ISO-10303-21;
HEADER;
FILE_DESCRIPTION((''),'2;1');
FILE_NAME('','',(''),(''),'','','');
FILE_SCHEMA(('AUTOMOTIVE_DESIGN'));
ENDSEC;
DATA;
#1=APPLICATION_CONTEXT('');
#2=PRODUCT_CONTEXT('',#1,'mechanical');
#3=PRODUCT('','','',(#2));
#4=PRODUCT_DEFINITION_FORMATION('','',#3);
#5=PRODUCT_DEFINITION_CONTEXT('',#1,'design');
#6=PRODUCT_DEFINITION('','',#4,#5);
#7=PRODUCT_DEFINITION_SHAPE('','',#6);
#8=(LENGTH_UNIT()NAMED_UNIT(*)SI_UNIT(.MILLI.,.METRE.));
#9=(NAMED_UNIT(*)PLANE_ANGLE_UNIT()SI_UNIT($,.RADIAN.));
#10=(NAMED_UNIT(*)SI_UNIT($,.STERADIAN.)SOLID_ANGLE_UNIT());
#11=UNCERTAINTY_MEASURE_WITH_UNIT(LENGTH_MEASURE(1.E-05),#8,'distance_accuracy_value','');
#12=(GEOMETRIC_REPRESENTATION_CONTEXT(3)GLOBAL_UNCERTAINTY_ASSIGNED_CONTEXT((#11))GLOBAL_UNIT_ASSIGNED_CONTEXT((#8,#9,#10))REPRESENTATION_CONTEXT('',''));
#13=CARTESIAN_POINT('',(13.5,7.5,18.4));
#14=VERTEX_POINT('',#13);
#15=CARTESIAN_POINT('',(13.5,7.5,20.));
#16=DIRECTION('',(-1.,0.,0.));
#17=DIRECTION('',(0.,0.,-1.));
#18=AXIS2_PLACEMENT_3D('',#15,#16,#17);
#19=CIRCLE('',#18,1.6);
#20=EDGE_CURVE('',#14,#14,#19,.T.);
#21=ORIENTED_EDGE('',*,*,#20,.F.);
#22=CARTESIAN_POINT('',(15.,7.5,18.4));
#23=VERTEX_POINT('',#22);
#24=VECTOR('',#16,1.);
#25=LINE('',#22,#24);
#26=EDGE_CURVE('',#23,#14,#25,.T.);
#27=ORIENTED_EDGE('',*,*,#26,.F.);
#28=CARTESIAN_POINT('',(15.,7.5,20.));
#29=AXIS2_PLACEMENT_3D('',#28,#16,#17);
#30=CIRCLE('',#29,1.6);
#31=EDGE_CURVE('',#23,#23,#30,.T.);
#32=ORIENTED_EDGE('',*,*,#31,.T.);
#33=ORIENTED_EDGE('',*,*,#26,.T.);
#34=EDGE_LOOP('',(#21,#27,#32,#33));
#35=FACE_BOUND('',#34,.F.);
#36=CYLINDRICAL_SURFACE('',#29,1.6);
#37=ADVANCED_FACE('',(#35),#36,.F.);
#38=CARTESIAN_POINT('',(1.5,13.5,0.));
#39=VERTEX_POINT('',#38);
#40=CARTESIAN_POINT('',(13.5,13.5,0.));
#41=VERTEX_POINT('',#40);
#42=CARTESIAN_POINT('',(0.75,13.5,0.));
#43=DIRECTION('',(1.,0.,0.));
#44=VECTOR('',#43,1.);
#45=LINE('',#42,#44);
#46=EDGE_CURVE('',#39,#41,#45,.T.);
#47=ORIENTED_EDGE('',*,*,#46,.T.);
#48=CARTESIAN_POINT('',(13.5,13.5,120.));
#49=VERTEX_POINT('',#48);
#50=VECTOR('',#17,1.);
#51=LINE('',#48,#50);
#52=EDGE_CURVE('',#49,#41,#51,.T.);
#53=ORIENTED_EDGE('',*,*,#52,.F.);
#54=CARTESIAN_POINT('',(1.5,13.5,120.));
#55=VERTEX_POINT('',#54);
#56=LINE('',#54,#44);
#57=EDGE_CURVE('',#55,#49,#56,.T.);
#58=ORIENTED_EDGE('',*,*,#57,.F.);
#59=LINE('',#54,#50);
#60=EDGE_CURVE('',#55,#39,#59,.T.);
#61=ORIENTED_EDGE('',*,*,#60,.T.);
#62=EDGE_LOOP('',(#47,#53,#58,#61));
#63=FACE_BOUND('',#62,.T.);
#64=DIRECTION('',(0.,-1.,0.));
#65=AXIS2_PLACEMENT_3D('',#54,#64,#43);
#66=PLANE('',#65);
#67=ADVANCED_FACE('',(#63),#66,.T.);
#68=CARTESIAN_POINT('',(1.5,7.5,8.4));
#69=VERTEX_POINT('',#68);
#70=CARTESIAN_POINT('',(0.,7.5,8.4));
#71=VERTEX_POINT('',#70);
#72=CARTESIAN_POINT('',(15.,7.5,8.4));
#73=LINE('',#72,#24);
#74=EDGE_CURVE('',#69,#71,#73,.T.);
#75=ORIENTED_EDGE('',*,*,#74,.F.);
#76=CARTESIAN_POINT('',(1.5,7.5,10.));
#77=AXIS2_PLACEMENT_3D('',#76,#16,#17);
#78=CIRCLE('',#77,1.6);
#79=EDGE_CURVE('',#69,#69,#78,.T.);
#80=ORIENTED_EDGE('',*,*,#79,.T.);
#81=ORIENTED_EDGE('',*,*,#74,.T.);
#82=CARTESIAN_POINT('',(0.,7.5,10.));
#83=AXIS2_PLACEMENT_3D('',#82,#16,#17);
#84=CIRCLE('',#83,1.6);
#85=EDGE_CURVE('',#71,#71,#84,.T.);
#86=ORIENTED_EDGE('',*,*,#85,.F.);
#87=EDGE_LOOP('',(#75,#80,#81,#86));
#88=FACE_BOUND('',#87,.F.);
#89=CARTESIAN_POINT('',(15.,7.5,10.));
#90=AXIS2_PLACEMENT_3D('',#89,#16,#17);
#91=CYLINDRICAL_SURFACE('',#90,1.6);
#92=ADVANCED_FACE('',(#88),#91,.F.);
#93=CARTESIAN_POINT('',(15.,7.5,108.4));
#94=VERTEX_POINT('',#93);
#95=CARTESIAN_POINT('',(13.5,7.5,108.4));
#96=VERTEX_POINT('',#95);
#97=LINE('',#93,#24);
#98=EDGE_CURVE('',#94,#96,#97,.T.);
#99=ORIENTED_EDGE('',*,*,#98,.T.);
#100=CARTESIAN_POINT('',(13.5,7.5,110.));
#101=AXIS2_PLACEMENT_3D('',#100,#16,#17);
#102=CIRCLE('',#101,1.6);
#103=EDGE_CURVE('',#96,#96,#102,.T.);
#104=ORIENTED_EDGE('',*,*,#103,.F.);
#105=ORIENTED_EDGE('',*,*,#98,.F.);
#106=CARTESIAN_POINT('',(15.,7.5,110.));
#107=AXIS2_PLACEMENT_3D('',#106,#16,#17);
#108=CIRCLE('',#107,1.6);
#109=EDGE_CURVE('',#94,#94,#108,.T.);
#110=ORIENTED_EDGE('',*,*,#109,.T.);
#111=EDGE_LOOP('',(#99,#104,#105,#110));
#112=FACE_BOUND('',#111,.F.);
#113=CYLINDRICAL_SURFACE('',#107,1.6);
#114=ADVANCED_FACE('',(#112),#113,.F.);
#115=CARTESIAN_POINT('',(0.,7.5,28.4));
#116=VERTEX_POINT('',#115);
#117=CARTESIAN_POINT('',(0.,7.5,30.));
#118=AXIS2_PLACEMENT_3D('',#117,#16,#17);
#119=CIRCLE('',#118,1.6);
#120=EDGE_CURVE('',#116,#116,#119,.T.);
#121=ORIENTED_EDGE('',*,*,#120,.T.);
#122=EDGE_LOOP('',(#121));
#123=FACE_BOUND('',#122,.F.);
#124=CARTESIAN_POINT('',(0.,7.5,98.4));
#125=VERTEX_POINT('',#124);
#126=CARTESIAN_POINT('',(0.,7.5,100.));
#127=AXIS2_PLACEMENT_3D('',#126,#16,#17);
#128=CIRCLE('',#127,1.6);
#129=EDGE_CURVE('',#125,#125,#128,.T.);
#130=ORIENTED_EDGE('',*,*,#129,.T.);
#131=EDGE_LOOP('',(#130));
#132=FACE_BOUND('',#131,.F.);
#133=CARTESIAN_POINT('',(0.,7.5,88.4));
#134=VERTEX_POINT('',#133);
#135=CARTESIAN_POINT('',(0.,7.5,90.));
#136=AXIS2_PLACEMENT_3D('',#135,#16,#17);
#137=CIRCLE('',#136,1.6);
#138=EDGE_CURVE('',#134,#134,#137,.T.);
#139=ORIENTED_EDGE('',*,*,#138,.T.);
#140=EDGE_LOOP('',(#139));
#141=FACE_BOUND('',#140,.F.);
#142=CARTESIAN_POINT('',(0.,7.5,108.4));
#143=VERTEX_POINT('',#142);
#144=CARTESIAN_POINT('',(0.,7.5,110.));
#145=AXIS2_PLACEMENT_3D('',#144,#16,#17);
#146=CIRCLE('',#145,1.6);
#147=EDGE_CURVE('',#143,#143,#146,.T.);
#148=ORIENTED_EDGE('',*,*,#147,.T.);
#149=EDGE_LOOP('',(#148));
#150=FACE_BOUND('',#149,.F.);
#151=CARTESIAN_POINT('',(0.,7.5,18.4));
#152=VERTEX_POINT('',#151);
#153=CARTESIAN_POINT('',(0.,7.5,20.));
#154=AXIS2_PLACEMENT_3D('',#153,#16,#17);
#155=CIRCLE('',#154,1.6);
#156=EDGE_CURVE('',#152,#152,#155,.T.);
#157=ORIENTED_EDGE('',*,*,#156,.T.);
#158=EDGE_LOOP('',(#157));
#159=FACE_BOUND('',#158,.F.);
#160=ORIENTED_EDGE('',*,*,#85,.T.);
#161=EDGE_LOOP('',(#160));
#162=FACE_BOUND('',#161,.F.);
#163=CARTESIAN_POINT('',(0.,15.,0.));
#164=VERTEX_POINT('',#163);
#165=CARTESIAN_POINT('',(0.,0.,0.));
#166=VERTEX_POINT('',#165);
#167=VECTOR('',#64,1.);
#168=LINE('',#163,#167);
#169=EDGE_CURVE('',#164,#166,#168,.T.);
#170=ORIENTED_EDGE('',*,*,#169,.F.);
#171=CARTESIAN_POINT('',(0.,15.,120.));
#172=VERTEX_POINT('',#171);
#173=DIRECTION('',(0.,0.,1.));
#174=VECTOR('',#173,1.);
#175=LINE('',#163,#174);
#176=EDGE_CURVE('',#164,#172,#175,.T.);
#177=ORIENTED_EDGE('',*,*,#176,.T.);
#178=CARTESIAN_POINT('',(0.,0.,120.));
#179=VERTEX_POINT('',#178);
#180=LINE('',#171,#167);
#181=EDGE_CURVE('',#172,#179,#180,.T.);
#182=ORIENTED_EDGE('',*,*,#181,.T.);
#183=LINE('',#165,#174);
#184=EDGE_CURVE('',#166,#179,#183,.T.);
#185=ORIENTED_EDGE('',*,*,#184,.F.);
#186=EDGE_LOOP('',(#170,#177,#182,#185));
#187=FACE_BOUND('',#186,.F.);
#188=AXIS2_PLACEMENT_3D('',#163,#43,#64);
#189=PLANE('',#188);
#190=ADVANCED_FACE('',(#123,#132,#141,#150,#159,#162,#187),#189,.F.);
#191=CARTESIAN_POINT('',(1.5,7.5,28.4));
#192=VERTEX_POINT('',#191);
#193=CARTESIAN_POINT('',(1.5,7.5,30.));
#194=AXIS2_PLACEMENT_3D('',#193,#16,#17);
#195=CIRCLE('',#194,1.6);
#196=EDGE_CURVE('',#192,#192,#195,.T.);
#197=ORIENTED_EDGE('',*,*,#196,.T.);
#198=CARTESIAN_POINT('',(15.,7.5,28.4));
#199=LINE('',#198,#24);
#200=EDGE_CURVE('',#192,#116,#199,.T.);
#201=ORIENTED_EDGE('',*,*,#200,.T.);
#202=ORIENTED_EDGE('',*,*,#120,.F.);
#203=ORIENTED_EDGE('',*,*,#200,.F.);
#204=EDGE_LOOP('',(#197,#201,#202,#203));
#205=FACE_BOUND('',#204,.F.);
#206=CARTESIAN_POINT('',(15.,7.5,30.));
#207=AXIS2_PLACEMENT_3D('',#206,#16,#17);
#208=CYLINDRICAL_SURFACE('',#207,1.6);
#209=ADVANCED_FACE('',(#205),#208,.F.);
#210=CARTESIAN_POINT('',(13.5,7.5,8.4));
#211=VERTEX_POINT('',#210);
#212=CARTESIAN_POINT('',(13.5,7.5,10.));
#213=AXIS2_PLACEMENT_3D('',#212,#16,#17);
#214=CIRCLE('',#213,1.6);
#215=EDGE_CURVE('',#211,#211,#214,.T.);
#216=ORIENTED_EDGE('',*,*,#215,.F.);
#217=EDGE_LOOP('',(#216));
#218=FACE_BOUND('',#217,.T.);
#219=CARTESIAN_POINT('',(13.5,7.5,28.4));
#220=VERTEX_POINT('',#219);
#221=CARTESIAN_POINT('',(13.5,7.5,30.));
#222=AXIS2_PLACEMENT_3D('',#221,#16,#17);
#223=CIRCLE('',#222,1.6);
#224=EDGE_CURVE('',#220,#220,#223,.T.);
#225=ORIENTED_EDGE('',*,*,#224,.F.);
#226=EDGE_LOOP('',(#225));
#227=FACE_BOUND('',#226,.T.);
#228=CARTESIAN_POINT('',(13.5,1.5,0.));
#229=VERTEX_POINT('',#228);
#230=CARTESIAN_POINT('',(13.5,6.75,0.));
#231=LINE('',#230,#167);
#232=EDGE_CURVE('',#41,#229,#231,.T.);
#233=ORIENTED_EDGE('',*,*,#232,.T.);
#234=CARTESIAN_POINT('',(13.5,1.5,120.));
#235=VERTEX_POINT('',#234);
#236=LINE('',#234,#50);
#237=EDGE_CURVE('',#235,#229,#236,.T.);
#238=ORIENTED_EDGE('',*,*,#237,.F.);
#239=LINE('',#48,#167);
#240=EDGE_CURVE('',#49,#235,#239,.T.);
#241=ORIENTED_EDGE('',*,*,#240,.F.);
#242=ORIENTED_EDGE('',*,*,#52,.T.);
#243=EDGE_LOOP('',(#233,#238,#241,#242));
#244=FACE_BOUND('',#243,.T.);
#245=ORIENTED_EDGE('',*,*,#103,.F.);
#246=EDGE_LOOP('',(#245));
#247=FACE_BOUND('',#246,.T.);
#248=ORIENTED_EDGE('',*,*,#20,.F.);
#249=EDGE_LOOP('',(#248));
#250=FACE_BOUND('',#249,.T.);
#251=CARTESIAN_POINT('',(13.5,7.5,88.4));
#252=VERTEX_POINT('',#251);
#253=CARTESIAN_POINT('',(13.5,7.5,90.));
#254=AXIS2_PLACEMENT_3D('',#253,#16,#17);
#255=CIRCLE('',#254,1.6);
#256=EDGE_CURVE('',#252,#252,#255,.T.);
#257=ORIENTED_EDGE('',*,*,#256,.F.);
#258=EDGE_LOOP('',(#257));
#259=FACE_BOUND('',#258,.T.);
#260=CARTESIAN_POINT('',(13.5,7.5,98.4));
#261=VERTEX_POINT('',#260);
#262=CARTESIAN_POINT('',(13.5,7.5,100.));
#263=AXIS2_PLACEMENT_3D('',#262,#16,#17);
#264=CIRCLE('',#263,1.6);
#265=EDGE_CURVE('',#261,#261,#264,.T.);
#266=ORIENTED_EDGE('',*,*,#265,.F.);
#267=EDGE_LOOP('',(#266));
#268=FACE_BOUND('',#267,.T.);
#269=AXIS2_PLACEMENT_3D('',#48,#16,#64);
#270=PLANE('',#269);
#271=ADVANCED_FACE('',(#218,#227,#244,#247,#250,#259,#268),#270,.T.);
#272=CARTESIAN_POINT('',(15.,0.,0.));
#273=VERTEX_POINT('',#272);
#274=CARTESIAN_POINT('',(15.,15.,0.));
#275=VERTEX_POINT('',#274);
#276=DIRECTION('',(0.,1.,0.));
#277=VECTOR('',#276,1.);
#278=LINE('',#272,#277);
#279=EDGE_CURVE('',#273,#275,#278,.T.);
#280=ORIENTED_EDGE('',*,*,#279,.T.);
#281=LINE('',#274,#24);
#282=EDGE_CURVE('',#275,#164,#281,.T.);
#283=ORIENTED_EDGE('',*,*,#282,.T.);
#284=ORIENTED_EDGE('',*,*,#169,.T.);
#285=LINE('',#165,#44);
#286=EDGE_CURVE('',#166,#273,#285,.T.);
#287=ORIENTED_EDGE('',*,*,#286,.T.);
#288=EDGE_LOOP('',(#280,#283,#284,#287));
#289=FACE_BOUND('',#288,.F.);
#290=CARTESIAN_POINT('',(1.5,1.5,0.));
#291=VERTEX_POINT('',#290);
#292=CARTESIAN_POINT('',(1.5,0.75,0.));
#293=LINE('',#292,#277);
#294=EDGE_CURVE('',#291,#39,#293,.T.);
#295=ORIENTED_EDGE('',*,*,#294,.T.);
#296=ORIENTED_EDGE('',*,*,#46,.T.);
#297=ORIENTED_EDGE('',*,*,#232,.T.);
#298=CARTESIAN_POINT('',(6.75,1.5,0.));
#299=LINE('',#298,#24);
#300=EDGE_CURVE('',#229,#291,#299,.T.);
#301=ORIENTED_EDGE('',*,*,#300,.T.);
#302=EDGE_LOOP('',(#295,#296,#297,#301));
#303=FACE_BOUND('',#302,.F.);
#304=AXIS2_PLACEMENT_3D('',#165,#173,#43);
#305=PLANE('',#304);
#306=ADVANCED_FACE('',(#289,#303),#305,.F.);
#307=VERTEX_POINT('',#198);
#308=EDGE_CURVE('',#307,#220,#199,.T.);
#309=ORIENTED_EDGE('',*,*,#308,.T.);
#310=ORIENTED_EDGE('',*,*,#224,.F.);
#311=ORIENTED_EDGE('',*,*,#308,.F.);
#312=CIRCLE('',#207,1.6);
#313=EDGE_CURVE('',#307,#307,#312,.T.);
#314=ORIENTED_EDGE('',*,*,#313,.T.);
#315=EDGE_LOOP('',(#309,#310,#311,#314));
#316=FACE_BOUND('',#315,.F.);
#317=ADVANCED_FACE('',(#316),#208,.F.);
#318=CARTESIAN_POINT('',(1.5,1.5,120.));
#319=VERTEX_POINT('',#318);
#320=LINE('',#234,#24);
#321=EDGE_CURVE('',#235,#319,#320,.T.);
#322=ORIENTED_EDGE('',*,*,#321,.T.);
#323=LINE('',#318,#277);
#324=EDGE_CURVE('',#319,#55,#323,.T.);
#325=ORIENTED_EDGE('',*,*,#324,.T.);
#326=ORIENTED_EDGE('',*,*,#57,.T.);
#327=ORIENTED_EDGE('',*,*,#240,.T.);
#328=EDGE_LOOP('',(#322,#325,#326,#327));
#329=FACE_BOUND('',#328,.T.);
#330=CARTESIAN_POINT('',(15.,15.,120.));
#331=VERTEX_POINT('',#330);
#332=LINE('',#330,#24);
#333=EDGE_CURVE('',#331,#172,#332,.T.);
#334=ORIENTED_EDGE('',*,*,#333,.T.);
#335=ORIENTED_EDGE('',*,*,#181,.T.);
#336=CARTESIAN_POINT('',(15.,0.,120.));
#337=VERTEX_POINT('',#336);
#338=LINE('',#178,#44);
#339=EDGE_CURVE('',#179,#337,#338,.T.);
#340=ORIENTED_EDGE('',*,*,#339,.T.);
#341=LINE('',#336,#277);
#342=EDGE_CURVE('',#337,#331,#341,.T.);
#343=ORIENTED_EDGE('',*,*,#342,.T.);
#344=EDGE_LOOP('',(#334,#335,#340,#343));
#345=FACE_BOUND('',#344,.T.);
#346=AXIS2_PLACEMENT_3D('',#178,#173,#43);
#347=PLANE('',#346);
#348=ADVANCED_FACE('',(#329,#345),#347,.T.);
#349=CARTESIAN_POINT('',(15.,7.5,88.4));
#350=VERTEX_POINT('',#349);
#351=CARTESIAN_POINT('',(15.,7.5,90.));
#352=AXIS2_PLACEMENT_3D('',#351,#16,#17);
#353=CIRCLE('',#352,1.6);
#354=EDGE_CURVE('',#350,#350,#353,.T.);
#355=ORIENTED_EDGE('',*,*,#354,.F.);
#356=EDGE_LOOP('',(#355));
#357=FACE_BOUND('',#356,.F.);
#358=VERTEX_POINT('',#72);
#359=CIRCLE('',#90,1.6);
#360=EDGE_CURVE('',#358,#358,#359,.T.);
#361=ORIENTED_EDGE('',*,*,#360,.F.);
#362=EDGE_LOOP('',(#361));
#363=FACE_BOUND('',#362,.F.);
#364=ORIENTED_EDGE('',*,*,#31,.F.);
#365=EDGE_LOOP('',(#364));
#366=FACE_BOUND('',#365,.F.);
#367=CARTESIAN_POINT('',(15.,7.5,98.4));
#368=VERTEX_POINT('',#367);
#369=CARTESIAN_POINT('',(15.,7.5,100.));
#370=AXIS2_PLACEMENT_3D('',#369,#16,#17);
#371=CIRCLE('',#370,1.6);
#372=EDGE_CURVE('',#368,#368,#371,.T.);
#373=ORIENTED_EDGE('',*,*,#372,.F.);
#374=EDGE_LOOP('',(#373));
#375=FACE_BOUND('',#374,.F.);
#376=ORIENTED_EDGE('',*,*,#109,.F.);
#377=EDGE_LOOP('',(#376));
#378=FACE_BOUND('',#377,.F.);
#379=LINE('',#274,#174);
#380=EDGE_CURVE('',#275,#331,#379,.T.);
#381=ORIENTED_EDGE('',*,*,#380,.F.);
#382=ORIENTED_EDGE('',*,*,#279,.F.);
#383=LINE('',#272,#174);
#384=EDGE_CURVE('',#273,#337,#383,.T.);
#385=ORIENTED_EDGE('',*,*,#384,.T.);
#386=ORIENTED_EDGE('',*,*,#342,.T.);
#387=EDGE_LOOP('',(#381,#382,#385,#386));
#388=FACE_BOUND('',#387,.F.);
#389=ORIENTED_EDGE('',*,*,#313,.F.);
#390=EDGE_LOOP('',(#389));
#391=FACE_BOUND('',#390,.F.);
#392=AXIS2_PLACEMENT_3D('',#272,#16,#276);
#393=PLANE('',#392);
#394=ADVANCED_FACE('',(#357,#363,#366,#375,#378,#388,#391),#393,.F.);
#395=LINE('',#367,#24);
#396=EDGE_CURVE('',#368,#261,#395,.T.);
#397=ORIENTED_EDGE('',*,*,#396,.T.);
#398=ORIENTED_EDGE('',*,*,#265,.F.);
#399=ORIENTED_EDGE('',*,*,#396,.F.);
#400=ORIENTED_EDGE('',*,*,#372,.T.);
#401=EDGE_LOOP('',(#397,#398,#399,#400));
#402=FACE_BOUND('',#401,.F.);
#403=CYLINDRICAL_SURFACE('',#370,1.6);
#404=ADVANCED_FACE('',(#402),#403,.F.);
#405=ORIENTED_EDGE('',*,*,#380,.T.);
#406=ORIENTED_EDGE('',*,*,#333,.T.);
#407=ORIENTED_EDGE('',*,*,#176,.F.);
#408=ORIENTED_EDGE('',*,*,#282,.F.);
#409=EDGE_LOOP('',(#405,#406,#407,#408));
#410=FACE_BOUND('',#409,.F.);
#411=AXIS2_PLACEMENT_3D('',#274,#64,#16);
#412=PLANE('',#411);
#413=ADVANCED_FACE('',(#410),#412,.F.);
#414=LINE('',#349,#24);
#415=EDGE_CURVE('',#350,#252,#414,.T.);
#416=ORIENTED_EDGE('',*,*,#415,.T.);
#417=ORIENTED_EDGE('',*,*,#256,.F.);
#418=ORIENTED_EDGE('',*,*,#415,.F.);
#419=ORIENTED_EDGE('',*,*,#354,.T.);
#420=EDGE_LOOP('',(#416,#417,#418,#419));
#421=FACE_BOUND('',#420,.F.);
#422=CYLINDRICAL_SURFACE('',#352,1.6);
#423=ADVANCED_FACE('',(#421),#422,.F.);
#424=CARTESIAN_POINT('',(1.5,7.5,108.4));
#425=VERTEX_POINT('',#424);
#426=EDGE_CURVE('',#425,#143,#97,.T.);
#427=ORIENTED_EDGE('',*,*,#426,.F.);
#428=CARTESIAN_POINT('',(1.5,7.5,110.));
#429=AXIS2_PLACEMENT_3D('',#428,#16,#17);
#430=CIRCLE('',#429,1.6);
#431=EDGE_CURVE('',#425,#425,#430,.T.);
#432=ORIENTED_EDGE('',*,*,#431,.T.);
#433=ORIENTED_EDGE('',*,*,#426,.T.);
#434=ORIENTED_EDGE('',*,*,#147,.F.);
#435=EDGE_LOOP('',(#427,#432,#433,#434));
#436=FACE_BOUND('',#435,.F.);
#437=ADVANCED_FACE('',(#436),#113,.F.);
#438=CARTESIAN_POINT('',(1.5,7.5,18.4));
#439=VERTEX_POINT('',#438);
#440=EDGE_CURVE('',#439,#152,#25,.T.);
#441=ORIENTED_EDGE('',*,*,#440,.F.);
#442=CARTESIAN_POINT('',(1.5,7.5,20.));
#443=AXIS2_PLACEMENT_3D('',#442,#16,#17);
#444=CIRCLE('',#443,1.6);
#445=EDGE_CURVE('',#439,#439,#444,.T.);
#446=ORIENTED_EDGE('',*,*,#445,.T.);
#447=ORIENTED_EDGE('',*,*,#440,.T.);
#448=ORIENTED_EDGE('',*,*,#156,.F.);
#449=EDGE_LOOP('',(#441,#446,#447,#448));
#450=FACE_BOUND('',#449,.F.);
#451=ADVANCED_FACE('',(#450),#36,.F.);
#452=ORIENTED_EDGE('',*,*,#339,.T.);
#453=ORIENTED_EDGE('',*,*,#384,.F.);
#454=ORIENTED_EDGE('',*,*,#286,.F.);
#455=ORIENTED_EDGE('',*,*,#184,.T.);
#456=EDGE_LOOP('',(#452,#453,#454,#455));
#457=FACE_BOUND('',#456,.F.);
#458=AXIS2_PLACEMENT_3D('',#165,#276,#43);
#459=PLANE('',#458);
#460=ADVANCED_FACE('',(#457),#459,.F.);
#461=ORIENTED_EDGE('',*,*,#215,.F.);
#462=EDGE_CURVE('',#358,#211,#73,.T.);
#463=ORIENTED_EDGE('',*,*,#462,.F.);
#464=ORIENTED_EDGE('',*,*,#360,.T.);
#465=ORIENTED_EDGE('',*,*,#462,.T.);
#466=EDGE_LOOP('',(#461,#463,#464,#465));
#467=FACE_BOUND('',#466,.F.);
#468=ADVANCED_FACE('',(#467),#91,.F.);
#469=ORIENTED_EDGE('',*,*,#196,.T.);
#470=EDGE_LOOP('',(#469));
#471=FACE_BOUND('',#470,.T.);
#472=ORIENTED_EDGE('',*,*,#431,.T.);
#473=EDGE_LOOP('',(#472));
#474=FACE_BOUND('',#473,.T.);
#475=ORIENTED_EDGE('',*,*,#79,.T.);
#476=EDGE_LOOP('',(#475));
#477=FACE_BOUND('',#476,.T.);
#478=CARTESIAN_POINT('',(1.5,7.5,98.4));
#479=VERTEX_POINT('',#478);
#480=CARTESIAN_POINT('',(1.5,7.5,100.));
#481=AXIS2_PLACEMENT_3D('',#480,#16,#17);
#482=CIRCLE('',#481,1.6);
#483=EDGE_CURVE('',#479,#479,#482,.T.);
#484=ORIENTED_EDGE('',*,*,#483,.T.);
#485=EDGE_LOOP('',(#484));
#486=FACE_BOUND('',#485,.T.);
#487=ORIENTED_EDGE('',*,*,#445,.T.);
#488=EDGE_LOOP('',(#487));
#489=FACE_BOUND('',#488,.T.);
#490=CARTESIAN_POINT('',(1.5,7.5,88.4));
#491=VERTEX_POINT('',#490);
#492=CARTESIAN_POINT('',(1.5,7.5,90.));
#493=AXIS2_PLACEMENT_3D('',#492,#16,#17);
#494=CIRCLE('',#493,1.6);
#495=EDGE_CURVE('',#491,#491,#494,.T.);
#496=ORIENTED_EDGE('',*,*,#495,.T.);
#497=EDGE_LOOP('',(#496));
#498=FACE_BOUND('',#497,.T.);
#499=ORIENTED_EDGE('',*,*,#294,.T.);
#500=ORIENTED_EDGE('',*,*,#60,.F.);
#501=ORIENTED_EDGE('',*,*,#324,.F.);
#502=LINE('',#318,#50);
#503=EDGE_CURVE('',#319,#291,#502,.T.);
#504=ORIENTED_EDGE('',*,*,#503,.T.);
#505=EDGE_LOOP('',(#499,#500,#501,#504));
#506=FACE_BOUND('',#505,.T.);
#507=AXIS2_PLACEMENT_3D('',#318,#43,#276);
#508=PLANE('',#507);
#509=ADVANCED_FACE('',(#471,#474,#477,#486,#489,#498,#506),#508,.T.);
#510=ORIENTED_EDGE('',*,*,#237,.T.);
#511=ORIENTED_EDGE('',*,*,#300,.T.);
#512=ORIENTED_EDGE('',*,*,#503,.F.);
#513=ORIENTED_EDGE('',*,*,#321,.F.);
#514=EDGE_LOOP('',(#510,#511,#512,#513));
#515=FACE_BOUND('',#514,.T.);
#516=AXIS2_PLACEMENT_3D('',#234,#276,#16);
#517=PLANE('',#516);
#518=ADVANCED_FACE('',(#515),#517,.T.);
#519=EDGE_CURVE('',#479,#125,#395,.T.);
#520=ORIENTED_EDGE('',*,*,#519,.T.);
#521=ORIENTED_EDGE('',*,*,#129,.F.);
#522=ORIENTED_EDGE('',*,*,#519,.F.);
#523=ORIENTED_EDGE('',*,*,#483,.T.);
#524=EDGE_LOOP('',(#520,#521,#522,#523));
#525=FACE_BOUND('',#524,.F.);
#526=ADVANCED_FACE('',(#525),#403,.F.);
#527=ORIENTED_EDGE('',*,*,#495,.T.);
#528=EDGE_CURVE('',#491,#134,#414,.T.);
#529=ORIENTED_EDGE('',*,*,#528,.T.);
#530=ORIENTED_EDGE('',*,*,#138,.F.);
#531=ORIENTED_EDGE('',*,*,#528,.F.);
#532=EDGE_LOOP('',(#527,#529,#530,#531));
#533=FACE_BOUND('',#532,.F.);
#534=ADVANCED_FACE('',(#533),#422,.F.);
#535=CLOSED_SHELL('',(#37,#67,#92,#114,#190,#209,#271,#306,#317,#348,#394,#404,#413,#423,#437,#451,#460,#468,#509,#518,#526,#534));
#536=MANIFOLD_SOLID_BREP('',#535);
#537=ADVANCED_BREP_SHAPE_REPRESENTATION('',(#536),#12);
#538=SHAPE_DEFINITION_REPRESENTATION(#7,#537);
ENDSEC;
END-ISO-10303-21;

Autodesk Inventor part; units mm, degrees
ref_plane "YZ Plane" through (0, 0, 0) normal (1, 0, 0) x (0, 1, 0)
ref_plane "XZ Plane" through (0, 0, 0) normal (0, 1, 0) x (-1, 0, 0)
ref_plane "XY Plane" through (0, 0, 0) normal (0, 0, 1) x (1, 0, 0)
sketch "スケッチ1" plane through (0, 0, 0) normal (0, 0, 1) x (1, 0, 0)
  line L0 (0, 0) -> (15, 0)
  line L1 (15, 0) -> (15, 15)
  line L2 (15, 15) -> (0, 15)
  line L3 (0, 15) -> (0, 0)
  dimension "d0" = 15
  dimension "d1" = 15
extrude "押し出し1" add sketch "スケッチ1" along normal blind 120
sketch "スケッチ2" plane through (0, 15, 0) normal (0, 1, 0) x (1, 0, 0)
  point P0 (0, 0)
sketch "スケッチ3" plane through (15, 0, 0) normal (1, 0, 0) x (0, 0, -1)
  line L0 (-120, 0) -> (-120, 15) projected
  line L1 (0, 0) -> (-120, 0) projected
  line L2 (0, 0) -> (0, 15) projected
  point P0 (-110, 7.5)
  point P1 (-100, 7.5)
  point P2 (-90, 7.5)
  point P3 (-30, 7.5)
  point P4 (-20, 7.5)
  point P5 (-10, 7.5)
  dimension "d4" = 10
  dimension "d5" = 7.5
  dimension "d6" = 10
  dimension "d7" = 10
  dimension "d8" = 7.5
  dimension "d9" = 7.5
  dimension "d10" = 7.5
  dimension "d11" = 30
  dimension "d12" = 20
  dimension "d13" = 7.5
  dimension "d14" = 7.5
  dimension "d15" = 10
hole "穴1" at (15, 7.5, 110) at (15, 7.5, 100) at (15, 7.5, 90) at (15, 7.5, 30) at (15, 7.5, 20) at (15, 7.5, 10) direction (-1, 0, 0) diameter 3.2 end through all
sketch "スケッチ4" plane through (0, 0, 120) normal (0, 0, 1) x (1, 0, 0)
  line L0 (1.5, 13.5) -> (13.5, 13.5)
  line L1 (13.5, 13.5) -> (13.5, 1.5)
  line L2 (13.5, 1.5) -> (1.5, 1.5)
  line L3 (1.5, 1.5) -> (1.5, 13.5)
  line L4 (15, 15) -> (0, 15) projected
  line L5 (0, 15) -> (0, 0) projected
  dimension "d23" = 12
  dimension "d24" = 12
  dimension "d25" = 1.5
  dimension "d26" = 1.5
extrude "押し出し2" cut sketch "スケッチ4" against normal blind 600
properties part number "射出_角柱12" material "アルミニウム 6061"
